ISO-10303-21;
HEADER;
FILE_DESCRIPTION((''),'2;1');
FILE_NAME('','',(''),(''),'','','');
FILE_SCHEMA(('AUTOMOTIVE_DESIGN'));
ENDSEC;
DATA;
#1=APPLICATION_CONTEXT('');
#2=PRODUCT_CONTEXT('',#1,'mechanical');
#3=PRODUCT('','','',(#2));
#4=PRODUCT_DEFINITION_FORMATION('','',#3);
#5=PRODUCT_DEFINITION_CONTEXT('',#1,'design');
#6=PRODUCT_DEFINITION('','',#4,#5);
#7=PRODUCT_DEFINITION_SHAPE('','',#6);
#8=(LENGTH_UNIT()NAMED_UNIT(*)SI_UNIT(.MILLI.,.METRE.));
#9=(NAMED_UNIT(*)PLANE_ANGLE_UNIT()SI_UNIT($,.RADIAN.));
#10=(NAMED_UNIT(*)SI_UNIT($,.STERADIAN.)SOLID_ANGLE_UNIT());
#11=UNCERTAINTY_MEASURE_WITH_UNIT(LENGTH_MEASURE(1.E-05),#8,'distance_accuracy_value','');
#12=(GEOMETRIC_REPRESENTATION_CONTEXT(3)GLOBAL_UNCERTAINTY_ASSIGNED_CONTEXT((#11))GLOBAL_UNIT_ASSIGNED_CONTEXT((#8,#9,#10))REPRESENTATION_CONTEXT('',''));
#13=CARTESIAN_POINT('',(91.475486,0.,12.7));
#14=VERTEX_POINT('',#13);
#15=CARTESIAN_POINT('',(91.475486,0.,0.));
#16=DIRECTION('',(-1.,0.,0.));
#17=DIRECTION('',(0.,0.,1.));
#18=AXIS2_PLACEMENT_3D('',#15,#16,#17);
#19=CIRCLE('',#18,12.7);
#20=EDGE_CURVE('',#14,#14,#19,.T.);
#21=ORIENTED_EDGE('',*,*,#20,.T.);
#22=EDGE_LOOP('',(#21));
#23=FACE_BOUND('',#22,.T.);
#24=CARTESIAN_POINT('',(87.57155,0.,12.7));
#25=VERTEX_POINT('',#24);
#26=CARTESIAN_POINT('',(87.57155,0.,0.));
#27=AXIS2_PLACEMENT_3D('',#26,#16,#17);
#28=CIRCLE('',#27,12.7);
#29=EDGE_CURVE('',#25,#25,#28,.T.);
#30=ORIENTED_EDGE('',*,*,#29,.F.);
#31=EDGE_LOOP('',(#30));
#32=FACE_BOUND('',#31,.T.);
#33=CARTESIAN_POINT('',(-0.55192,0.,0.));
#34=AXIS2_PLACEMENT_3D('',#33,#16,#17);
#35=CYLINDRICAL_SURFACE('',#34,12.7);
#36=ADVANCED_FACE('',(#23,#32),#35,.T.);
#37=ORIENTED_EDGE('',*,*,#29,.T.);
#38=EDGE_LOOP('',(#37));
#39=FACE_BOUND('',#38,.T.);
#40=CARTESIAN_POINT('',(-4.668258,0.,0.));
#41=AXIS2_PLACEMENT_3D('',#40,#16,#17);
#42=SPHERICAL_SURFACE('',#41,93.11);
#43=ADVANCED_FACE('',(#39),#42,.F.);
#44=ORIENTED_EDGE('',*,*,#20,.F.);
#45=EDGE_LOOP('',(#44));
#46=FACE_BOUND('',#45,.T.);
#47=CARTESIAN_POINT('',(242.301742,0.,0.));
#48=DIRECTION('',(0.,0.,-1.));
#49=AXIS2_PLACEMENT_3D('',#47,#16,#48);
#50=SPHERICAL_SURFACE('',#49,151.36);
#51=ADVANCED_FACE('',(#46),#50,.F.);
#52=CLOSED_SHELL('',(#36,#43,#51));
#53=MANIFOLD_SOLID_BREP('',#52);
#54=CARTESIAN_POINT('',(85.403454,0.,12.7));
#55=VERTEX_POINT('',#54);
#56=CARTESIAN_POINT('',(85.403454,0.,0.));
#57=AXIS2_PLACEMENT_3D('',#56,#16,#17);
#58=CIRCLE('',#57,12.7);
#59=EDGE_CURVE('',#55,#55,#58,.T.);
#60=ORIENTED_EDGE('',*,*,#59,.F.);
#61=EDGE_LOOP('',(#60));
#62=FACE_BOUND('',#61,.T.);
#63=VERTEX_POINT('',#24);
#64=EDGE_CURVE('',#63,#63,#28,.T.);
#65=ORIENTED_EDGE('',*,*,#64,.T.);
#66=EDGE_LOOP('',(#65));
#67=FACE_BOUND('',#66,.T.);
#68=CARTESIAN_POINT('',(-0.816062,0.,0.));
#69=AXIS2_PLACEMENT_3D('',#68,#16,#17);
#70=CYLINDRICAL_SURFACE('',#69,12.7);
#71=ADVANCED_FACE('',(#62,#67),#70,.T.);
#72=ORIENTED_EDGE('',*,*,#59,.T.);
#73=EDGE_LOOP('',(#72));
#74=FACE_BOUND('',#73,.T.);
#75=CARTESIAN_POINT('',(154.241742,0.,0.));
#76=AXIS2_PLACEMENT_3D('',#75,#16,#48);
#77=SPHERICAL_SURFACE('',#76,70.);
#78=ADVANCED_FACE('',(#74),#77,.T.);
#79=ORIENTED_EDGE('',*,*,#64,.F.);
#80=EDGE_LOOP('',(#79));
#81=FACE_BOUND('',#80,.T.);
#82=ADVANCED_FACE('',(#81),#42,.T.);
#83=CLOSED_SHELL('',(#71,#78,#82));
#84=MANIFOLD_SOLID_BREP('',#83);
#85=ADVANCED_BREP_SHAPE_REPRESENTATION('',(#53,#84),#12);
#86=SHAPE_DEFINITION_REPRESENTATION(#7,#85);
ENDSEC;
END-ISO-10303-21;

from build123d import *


with BuildPart() as part:
    # 草图1 one side → 旋转1 (revolve)
    with BuildSketch(Plane(origin=(0, 0, 0), x_dir=(1, 0, 0), z_dir=(0, 1, 0)), mode=Mode.PRIVATE) as revolve_1_sk:
        with BuildLine():
            ThreePointArc((85.403453721, 12.7), (84.532775295, 6.376511056), (84.241742486, 0))
            Line((84.241742486, 0), (88.441742486, 0))
            ThreePointArc((88.441742486, 0), (88.223939635, 6.364888744), (87.571550053, 12.7))
            Line((87.571550053, 12.7), (85.403453721, 12.7))
        make_face()
    revolve(revolve_1_sk.sketch.rotate(Axis((-0.816062176, 0, 0), (1, 0, 0)), 180), axis=Axis((-0.816062176, 0, 0), (1, 0, 0)))  # turned: the seam where the file's is


with BuildPart() as body_2:
    # 草图2 one side → 旋转2 (revolve)
    with BuildSketch(Plane(origin=(0, 0, 0), x_dir=(1, 0, 0), z_dir=(0, 1, 0)), mode=Mode.PRIVATE) as revolve_2_sk:
        with BuildLine():
            Line((91.475486151, 12.7), (87.571550053, 12.7))
            ThreePointArc((87.571550053, 12.7), (88.223939635, 6.364888744), (88.441742486, 0))
            Line((88.441742486, 0), (90.941742486, 0))
            ThreePointArc((90.941742486, 0), (91.075237271, 6.355605445), (91.475486151, 12.7))
        make_face()
    revolve(revolve_2_sk.sketch.rotate(Axis((-0.551919993, 0, 0), (1, 0, 0)), 180), axis=Axis((-0.551919993, 0, 0), (1, 0, 0)))  # turned: the seam where the file's is


solid = Compound([part.part, body_2.part])
